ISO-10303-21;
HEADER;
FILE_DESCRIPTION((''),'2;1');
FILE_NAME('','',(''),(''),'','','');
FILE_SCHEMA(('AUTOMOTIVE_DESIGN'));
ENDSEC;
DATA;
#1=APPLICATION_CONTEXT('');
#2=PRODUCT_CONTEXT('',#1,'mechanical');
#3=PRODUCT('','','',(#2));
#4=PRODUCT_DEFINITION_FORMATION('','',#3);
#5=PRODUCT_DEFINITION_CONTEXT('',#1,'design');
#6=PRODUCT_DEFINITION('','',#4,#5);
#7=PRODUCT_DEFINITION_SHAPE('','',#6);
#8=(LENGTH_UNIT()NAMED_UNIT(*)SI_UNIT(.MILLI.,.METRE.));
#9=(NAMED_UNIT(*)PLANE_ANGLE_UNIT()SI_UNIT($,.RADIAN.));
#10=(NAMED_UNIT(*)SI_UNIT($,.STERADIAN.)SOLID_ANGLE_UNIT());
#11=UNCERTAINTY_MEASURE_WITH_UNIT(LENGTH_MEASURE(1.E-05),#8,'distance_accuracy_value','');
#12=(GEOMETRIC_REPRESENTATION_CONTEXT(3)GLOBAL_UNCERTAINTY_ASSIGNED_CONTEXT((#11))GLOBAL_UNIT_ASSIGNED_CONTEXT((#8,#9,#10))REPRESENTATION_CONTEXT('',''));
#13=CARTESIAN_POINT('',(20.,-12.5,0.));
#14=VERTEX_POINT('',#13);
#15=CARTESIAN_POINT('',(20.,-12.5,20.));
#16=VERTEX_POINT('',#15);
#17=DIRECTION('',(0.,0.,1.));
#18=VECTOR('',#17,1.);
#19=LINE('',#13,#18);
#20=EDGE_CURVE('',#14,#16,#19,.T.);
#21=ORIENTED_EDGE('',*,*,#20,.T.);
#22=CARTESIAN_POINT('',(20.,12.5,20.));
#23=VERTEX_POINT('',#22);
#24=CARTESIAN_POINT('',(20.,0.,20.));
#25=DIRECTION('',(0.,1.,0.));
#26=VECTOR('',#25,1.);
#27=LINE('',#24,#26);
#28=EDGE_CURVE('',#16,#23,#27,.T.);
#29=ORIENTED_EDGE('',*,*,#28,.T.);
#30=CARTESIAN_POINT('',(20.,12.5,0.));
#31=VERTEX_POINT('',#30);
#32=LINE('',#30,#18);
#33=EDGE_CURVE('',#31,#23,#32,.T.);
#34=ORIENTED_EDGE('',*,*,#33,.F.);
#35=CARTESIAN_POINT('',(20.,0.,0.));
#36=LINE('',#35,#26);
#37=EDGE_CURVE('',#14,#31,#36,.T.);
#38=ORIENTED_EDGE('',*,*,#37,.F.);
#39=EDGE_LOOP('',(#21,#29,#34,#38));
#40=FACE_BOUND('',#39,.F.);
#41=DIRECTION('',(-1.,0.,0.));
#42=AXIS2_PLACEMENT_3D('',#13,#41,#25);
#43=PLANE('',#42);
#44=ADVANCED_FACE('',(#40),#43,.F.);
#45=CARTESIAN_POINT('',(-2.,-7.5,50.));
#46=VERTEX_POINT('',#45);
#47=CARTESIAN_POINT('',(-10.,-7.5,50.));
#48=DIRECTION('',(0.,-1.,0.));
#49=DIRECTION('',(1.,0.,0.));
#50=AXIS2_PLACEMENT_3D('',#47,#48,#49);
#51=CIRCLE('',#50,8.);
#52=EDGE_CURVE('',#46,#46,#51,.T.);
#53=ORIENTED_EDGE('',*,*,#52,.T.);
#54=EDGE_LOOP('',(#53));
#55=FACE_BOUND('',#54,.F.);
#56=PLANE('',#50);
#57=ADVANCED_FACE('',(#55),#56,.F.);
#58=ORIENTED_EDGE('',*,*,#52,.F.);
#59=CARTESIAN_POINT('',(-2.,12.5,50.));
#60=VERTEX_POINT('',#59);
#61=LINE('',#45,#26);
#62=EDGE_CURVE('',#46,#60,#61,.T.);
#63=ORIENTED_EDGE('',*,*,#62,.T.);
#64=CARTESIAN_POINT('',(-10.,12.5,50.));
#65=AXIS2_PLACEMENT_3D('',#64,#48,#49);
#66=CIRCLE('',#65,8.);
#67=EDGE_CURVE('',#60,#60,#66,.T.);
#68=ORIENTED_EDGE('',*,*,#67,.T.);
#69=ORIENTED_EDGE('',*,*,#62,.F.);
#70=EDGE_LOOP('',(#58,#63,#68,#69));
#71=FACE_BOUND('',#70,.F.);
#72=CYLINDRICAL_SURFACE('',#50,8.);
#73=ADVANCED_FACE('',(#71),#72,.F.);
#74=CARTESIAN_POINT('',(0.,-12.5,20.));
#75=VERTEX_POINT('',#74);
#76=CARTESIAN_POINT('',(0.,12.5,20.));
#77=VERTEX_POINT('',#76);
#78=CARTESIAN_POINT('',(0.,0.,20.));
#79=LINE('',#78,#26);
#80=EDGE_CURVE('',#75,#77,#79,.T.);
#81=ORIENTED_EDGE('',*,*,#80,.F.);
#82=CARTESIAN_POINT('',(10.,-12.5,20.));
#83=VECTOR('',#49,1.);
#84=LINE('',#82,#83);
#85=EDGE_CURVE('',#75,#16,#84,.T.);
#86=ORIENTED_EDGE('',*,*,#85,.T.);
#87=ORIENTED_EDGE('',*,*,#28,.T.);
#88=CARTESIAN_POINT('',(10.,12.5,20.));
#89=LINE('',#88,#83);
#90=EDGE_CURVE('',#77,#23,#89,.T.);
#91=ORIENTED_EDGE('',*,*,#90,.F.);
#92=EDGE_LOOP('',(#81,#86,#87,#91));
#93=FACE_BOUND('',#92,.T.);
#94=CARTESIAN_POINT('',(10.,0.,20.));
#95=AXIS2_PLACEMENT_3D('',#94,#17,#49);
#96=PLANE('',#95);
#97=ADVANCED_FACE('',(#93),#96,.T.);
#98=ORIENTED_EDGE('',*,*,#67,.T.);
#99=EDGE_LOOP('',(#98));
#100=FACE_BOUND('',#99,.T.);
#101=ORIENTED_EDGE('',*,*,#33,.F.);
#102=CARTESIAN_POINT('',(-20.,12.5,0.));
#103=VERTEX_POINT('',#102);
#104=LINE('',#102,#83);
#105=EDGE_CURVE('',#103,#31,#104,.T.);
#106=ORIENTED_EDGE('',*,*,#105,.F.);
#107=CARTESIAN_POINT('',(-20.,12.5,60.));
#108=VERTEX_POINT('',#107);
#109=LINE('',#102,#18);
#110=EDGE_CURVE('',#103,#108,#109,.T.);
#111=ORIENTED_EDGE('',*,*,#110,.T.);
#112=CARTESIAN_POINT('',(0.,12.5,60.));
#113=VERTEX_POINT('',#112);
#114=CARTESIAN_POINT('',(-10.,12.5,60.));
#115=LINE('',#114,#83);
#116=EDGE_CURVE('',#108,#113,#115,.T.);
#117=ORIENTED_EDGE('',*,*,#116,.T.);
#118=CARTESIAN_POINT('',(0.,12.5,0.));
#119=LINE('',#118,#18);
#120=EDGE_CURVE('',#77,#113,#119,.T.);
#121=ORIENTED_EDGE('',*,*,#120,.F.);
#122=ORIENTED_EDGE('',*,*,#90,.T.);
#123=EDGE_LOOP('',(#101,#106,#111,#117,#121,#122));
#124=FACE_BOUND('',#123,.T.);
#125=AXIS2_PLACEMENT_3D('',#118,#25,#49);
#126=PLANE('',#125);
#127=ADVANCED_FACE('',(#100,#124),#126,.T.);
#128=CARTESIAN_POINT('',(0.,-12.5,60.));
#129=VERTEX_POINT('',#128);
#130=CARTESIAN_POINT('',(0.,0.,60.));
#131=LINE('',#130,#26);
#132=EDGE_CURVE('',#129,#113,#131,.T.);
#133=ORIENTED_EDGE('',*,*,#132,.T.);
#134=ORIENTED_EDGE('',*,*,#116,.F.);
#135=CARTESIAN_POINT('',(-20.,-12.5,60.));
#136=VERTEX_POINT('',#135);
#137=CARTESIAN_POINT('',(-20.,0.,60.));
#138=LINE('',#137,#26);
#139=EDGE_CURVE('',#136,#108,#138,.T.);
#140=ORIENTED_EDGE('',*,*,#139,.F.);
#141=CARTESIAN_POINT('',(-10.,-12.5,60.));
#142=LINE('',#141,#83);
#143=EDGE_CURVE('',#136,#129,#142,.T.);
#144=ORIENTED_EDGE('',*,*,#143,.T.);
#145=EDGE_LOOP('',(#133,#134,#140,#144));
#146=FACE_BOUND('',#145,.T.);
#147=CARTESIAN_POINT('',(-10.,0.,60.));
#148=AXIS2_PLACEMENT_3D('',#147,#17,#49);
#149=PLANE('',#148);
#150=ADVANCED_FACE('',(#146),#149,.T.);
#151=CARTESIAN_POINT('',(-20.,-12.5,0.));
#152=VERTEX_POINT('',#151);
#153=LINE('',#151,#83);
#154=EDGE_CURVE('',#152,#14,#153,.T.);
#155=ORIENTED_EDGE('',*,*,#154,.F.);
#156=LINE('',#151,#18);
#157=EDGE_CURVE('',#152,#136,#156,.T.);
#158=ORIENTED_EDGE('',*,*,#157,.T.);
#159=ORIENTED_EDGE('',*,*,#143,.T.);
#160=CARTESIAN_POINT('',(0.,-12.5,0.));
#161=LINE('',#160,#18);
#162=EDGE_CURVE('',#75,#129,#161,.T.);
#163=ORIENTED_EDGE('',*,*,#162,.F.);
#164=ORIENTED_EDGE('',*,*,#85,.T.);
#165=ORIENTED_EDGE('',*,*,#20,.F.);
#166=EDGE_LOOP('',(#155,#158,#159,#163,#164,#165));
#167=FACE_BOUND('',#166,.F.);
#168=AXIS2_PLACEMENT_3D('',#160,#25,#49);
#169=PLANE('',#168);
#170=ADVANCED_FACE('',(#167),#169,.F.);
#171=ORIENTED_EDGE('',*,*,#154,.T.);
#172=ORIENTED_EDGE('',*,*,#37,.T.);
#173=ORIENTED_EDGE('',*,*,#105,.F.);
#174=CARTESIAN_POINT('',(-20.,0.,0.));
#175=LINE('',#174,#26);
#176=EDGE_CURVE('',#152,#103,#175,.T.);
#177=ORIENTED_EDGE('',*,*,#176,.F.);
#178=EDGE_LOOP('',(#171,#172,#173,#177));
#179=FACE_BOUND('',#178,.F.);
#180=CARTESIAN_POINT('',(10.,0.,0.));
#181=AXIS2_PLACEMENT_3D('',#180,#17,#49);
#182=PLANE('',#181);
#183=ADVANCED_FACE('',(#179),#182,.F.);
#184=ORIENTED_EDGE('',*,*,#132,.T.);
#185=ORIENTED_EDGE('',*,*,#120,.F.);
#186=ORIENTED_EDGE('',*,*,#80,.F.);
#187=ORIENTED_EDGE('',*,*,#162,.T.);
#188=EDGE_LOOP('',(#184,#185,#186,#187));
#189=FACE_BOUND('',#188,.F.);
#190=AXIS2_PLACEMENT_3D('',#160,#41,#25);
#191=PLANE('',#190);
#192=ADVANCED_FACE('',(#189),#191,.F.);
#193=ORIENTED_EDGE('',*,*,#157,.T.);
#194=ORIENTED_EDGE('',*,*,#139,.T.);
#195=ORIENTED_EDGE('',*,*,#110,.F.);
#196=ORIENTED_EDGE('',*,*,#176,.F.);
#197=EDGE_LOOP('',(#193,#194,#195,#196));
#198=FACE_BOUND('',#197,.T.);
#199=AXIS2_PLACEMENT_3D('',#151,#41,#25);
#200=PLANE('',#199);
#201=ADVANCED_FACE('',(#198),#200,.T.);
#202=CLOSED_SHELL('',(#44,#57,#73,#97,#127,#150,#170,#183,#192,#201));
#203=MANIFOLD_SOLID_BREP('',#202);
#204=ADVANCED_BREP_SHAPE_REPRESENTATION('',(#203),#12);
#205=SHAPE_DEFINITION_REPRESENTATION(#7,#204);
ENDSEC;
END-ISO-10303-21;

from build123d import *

# Parameters (mm, degrees)
F0_W     = 20
F0_H     = 25
F1_DEPTH = 60
F2_DEPTH = 20
F4_START = -5
F3_R     = 8
F4_DEPTH = 20


with BuildPart() as f1:
    # F0 (on Top) → F1 (new body)
    with BuildSketch(Plane.XY):
        with Locations((-10, 0)):
            Rectangle(F0_W, F0_H)
    extrude(amount=F1_DEPTH)

    # F0 (on Top) → F2 (join)
    with BuildSketch(Plane.XY):
        with Locations((10, 0)):
            Rectangle(F0_W, F0_H)
    extrude(amount=F2_DEPTH)

    # F3 (on face) → F4 (cut)
    with BuildSketch(Plane.XZ.offset(12.5).offset(F4_START)):
        with Locations((-10, 50)):
            Circle(F3_R)
    extrude(amount=-F4_DEPTH, mode=Mode.SUBTRACT)


solid = f1.part
